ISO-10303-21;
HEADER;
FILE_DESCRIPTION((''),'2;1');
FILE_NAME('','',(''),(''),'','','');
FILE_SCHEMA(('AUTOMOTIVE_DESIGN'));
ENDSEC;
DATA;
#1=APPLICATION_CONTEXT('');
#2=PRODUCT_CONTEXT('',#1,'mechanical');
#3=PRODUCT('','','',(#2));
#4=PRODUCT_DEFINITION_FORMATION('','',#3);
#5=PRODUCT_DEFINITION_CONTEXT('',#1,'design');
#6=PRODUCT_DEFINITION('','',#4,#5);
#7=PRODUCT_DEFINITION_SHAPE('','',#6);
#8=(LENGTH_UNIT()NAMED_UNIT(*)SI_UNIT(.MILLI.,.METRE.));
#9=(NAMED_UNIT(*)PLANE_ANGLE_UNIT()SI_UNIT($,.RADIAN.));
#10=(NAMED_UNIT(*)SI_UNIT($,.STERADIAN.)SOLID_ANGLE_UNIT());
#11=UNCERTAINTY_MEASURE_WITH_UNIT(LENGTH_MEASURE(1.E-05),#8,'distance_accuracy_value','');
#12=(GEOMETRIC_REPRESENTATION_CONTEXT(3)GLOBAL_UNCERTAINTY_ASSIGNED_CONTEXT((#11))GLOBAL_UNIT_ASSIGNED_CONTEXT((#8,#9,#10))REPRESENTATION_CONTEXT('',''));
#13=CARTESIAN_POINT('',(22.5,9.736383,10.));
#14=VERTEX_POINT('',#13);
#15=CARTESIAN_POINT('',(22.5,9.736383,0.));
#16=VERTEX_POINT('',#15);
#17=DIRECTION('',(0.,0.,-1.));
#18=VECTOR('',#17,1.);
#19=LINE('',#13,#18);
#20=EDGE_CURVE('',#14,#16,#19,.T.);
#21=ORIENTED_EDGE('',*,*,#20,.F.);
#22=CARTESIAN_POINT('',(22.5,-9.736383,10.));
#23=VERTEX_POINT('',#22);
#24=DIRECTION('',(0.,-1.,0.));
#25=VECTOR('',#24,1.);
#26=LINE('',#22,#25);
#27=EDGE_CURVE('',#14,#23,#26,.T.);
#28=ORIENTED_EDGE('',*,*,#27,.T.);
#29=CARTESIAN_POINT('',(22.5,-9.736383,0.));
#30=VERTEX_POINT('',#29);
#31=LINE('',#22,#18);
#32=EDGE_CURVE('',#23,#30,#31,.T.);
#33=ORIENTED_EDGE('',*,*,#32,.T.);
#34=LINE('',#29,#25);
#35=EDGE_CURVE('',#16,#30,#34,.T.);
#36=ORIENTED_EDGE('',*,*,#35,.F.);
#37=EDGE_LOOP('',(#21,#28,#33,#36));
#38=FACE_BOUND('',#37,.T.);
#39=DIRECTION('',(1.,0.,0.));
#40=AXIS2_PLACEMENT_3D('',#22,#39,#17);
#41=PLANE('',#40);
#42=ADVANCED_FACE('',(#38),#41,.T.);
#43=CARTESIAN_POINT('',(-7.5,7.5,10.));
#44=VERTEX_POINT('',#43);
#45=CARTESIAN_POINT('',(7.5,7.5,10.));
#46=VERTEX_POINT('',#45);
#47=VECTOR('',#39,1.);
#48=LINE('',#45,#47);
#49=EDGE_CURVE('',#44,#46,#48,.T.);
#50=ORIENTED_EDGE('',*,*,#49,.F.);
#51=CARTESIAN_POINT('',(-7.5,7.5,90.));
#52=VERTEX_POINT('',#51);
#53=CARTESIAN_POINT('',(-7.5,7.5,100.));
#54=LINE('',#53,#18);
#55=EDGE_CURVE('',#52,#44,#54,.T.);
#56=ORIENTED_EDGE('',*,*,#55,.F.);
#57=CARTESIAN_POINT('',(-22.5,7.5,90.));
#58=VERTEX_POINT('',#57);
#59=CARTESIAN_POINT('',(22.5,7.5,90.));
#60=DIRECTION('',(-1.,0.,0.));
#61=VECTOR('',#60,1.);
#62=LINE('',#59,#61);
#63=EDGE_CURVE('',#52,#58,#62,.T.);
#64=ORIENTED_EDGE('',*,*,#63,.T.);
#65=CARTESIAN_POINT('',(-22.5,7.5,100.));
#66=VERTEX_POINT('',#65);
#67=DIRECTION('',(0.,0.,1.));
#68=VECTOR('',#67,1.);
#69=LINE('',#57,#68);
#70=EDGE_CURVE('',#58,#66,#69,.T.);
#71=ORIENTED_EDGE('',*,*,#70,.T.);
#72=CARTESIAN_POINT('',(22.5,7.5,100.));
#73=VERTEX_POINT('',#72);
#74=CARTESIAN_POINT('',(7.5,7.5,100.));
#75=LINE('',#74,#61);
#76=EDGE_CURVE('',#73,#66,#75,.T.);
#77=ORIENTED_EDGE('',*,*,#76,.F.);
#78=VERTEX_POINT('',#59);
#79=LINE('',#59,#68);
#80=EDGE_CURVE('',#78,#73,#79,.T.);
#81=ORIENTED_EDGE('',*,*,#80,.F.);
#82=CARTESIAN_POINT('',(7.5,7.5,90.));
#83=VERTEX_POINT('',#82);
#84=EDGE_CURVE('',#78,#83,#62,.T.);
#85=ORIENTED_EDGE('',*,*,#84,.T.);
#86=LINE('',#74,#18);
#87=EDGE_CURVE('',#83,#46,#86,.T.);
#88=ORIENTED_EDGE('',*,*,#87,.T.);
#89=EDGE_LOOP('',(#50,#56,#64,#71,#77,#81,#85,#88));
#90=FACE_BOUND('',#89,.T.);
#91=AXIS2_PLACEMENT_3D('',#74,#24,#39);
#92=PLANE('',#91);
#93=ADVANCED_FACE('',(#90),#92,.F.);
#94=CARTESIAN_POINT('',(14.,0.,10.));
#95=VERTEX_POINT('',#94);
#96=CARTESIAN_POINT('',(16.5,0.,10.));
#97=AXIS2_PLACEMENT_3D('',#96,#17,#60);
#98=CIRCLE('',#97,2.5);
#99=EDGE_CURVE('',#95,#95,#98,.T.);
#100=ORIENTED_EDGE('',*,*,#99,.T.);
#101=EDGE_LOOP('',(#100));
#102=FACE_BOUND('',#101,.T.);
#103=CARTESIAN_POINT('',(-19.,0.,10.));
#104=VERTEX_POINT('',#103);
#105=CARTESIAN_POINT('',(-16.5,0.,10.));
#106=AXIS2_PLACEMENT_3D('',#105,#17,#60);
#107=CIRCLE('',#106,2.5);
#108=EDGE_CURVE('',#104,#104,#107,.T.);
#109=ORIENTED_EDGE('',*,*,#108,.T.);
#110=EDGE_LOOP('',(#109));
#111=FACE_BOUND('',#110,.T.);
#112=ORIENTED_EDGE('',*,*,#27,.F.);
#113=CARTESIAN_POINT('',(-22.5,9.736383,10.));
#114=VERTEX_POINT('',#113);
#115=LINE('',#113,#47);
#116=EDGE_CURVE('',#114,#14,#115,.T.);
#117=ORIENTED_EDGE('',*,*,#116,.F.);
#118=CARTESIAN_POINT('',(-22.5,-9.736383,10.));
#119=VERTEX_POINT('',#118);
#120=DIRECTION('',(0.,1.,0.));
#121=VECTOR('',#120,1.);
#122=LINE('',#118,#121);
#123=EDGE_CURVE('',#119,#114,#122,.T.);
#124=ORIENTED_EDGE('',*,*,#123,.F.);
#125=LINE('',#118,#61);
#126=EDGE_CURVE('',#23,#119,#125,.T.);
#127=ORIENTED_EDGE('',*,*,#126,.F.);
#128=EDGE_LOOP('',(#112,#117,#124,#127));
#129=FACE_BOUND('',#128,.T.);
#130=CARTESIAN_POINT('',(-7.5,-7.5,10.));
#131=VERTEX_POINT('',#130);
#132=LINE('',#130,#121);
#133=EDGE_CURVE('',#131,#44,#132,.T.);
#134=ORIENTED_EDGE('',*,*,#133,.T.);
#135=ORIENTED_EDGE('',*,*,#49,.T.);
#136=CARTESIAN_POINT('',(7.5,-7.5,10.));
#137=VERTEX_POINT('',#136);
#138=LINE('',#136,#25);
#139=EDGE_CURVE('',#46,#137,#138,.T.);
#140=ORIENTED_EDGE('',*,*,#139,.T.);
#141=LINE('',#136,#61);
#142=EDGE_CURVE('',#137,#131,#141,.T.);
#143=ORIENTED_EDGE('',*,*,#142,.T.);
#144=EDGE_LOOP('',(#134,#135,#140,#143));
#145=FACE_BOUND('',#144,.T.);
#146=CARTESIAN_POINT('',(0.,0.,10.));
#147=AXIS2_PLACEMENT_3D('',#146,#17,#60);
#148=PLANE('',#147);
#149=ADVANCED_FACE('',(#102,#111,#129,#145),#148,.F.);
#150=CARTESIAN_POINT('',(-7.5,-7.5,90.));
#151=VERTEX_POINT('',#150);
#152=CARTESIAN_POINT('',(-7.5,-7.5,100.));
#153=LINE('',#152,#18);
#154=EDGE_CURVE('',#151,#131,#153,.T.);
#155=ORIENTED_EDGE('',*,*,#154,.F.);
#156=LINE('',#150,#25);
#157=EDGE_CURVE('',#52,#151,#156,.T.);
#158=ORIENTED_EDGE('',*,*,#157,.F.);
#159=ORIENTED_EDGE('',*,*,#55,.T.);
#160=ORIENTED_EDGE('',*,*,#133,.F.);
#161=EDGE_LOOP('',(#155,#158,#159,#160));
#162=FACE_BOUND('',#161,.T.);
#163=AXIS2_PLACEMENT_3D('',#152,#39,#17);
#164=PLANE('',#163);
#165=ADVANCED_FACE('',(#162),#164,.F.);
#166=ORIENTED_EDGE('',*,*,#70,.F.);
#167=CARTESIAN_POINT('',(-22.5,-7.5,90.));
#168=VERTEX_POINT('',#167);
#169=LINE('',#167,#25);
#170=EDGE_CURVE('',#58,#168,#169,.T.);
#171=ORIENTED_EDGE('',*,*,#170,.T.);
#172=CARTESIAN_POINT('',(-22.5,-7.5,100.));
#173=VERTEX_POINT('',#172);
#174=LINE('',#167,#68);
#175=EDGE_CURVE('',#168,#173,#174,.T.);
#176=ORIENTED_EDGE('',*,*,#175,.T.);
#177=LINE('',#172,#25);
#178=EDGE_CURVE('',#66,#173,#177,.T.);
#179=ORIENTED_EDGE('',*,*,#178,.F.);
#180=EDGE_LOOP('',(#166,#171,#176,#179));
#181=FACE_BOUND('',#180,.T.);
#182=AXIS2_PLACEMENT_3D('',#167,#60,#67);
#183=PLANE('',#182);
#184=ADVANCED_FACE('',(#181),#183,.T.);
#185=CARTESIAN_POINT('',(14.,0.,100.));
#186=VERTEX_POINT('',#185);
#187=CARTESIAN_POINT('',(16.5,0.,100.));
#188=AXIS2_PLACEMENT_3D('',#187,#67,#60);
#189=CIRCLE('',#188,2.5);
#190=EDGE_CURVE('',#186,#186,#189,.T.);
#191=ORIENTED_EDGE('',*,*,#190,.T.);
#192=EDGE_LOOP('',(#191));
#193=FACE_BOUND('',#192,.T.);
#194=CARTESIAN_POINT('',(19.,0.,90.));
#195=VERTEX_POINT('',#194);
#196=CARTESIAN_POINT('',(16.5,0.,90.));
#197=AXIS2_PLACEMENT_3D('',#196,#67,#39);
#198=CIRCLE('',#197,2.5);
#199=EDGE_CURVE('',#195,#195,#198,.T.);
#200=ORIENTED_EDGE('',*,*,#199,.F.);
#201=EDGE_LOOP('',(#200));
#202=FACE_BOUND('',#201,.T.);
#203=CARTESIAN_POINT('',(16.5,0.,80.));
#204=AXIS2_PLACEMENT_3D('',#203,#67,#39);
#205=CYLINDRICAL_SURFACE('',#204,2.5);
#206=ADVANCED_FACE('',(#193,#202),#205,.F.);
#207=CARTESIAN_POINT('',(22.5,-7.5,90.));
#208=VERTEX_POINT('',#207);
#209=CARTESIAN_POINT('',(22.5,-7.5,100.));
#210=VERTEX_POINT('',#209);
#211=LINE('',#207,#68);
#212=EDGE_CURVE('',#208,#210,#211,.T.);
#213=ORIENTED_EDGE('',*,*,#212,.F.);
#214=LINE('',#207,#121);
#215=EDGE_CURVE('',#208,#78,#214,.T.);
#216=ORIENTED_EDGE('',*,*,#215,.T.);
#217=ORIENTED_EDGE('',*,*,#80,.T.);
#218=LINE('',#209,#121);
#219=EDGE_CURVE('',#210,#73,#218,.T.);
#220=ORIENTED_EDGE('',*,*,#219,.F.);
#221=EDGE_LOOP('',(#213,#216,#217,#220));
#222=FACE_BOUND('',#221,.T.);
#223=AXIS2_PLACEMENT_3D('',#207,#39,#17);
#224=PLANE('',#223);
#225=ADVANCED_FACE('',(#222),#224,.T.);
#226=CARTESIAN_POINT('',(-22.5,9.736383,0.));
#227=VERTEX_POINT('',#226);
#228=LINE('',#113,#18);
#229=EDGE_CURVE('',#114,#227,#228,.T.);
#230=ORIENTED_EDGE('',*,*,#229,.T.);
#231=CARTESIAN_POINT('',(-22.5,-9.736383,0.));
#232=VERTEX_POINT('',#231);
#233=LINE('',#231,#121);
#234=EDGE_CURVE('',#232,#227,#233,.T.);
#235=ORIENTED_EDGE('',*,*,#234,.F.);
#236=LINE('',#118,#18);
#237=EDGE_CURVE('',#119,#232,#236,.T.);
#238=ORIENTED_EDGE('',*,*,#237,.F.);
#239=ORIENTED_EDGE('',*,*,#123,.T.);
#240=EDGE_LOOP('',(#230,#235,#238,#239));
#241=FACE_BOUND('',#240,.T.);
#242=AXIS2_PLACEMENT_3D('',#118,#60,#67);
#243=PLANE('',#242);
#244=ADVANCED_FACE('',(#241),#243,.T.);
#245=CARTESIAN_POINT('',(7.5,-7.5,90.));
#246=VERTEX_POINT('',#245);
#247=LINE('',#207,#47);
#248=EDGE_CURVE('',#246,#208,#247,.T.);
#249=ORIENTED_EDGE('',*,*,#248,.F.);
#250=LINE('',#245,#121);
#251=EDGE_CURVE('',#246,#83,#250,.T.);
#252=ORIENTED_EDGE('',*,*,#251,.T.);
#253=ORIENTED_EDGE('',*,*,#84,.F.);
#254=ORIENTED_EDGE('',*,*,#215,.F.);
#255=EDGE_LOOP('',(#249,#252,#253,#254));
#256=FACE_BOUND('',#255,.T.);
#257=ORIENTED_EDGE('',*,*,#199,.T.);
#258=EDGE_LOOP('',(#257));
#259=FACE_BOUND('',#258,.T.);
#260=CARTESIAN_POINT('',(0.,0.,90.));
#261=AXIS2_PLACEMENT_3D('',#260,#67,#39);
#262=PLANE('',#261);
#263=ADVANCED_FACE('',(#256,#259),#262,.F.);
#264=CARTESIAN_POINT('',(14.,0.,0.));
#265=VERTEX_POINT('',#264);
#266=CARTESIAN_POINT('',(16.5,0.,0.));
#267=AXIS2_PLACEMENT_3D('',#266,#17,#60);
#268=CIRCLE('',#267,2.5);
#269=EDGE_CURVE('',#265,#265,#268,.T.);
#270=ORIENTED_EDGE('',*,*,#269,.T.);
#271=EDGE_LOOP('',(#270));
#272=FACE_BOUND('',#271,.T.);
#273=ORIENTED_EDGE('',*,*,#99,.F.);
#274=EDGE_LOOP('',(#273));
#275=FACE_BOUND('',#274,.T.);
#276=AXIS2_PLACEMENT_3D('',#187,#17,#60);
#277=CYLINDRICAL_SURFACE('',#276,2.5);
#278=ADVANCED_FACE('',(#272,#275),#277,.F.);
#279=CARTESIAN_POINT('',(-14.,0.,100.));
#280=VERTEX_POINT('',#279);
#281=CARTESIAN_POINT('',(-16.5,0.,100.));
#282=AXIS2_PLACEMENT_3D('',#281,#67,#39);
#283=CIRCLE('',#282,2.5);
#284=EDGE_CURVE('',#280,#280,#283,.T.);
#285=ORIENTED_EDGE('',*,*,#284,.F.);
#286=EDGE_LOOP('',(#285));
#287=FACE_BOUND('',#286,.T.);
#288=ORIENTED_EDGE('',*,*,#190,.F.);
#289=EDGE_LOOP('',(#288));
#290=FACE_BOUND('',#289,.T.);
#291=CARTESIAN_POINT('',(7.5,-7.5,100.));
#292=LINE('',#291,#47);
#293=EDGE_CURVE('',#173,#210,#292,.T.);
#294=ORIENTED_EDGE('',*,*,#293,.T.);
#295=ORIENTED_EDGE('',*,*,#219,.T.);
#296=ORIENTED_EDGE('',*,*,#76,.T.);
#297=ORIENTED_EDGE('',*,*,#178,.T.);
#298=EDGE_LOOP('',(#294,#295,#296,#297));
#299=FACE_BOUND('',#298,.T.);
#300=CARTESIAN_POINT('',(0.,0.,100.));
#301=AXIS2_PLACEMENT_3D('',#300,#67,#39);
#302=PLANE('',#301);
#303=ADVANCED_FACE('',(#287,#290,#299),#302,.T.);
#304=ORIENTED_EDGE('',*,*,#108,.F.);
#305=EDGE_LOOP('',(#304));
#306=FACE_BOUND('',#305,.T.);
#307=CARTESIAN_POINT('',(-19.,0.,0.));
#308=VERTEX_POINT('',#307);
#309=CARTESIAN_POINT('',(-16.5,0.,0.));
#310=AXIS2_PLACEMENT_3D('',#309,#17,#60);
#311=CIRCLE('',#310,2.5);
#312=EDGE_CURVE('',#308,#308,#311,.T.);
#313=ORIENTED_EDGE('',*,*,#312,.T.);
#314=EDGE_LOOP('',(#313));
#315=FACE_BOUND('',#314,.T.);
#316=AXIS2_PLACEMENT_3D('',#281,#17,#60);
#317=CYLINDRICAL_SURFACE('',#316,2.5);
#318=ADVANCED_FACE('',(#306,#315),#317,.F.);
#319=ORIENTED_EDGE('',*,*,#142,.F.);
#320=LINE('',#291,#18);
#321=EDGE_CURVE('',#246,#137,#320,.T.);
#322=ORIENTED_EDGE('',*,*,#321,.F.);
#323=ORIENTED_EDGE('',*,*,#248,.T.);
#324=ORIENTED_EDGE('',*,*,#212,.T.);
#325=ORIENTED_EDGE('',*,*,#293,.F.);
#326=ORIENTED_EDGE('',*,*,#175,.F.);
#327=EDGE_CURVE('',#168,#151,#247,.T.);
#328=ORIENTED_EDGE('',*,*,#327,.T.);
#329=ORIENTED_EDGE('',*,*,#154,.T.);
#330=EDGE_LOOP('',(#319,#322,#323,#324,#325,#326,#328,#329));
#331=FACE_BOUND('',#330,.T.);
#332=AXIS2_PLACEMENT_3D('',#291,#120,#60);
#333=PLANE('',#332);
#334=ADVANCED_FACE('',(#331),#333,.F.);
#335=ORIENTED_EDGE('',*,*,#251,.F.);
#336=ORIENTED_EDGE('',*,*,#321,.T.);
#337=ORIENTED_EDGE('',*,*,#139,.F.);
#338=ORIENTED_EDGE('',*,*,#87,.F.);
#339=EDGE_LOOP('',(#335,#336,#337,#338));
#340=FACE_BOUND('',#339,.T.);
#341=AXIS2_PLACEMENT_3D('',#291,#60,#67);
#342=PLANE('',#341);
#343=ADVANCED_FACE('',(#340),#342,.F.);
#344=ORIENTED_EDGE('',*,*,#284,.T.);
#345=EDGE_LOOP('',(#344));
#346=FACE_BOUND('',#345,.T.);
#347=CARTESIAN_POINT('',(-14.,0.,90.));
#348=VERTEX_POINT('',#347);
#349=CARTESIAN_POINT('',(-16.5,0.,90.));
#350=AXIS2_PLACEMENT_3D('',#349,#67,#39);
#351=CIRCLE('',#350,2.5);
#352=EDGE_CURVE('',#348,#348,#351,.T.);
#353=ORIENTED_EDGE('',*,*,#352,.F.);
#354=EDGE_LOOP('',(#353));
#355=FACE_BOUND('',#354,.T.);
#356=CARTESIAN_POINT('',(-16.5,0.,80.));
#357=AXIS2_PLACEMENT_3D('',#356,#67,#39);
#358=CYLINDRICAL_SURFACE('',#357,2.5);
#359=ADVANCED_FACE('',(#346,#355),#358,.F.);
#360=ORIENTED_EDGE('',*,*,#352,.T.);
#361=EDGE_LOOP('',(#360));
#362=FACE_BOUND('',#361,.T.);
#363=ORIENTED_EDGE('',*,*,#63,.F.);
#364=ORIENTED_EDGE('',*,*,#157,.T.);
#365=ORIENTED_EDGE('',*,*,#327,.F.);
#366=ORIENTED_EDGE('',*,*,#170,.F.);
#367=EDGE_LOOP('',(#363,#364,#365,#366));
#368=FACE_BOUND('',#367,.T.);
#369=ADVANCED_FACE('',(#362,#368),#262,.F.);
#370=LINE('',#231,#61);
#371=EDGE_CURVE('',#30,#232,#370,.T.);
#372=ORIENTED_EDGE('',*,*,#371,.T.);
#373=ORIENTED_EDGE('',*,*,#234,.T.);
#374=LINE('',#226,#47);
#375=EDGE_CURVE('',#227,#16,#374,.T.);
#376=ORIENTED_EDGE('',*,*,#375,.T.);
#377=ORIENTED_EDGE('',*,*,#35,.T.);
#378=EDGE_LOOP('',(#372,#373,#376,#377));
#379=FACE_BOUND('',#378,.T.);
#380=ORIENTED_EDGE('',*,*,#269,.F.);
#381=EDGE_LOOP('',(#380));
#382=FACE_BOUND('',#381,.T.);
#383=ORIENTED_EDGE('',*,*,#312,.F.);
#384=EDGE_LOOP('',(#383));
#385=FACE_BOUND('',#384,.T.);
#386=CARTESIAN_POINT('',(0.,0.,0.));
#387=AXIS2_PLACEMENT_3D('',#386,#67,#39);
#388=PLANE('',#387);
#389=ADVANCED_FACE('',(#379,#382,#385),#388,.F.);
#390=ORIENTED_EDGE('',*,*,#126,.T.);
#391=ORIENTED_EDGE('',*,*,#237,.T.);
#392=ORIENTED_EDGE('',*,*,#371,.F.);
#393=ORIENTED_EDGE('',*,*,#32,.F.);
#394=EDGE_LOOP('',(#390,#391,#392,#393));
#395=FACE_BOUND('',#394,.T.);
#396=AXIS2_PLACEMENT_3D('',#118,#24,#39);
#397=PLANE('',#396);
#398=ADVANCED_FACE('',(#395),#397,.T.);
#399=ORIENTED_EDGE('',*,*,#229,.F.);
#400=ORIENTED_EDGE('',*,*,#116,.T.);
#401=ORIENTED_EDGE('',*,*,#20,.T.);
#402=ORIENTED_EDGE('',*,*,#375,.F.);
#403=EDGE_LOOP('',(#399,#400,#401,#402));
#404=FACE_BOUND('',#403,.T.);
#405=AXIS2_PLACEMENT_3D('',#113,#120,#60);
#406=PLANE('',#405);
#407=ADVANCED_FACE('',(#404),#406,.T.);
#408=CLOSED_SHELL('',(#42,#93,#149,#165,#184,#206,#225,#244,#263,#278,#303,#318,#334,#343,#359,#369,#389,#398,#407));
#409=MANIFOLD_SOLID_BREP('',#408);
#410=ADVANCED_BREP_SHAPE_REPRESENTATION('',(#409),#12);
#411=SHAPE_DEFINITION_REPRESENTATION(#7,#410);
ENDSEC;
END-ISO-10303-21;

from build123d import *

# Parameters (mm, degrees)
SKETCH_1_W          = 15
SKETCH_1_H          = 15
EXTRUDE_1_DEPTH     = 100
SKETCH_2_W          = 45
SKETCH_2_H          = 15
EXTRUDE_2_DEPTH     = 10
SKETCH_3_R          = 2.5
CUT_EXTRUDE_1_DEPTH = 20
SKETCH_5_W          = 45
SKETCH_5_H          = 19.472765692
EXTRUDE_3_DEPTH     = 10
SKETCH_6_R          = 2.5
CUT_EXTRUDE_2_DEPTH = 103.961386699


with BuildPart() as part:
    # 草图1 → 凸台-拉伸1 (new body)
    with BuildSketch(Plane.XY):
        Rectangle(SKETCH_1_W, SKETCH_1_H)
    extrude(amount=EXTRUDE_1_DEPTH)

    # 草图2 → 凸台-拉伸2 (add)
    with BuildSketch(Plane.XY.offset(100)):
        Rectangle(SKETCH_2_W, SKETCH_2_H)
    extrude(amount=-EXTRUDE_2_DEPTH)

    # 草图3 → 切除-拉伸1 (cut)
    with BuildSketch(Plane.XY.offset(100)):
        with Locations((-16.5, 0)):
            Circle(SKETCH_3_R)
        with Locations((16.5, 0)):
            Circle(SKETCH_3_R)
    extrude(amount=-CUT_EXTRUDE_1_DEPTH, mode=Mode.SUBTRACT)

    # 草图5 → 凸台-拉伸3 (add)
    with BuildSketch(Plane(origin=(0, 0, 0), x_dir=(-1, 0, 0), z_dir=(0, 0, -1))):
        Rectangle(SKETCH_5_W, SKETCH_5_H)
    extrude(amount=-EXTRUDE_3_DEPTH)

    # 草图6 → 切除-拉伸2 (cut, through all)
    with BuildSketch(Plane(origin=(0, 0, 0), x_dir=(-1, 0, 0), z_dir=(0, 0, -1))):
        with Locations(Location((-16.5, 0, 0), (0, 0, 180))):
            Circle(SKETCH_6_R)
        with Locations(Location((16.5, 0, 0), (0, 0, 180))):
            Circle(SKETCH_6_R)
    extrude(amount=-CUT_EXTRUDE_2_DEPTH, mode=Mode.SUBTRACT)


solid = part.part
